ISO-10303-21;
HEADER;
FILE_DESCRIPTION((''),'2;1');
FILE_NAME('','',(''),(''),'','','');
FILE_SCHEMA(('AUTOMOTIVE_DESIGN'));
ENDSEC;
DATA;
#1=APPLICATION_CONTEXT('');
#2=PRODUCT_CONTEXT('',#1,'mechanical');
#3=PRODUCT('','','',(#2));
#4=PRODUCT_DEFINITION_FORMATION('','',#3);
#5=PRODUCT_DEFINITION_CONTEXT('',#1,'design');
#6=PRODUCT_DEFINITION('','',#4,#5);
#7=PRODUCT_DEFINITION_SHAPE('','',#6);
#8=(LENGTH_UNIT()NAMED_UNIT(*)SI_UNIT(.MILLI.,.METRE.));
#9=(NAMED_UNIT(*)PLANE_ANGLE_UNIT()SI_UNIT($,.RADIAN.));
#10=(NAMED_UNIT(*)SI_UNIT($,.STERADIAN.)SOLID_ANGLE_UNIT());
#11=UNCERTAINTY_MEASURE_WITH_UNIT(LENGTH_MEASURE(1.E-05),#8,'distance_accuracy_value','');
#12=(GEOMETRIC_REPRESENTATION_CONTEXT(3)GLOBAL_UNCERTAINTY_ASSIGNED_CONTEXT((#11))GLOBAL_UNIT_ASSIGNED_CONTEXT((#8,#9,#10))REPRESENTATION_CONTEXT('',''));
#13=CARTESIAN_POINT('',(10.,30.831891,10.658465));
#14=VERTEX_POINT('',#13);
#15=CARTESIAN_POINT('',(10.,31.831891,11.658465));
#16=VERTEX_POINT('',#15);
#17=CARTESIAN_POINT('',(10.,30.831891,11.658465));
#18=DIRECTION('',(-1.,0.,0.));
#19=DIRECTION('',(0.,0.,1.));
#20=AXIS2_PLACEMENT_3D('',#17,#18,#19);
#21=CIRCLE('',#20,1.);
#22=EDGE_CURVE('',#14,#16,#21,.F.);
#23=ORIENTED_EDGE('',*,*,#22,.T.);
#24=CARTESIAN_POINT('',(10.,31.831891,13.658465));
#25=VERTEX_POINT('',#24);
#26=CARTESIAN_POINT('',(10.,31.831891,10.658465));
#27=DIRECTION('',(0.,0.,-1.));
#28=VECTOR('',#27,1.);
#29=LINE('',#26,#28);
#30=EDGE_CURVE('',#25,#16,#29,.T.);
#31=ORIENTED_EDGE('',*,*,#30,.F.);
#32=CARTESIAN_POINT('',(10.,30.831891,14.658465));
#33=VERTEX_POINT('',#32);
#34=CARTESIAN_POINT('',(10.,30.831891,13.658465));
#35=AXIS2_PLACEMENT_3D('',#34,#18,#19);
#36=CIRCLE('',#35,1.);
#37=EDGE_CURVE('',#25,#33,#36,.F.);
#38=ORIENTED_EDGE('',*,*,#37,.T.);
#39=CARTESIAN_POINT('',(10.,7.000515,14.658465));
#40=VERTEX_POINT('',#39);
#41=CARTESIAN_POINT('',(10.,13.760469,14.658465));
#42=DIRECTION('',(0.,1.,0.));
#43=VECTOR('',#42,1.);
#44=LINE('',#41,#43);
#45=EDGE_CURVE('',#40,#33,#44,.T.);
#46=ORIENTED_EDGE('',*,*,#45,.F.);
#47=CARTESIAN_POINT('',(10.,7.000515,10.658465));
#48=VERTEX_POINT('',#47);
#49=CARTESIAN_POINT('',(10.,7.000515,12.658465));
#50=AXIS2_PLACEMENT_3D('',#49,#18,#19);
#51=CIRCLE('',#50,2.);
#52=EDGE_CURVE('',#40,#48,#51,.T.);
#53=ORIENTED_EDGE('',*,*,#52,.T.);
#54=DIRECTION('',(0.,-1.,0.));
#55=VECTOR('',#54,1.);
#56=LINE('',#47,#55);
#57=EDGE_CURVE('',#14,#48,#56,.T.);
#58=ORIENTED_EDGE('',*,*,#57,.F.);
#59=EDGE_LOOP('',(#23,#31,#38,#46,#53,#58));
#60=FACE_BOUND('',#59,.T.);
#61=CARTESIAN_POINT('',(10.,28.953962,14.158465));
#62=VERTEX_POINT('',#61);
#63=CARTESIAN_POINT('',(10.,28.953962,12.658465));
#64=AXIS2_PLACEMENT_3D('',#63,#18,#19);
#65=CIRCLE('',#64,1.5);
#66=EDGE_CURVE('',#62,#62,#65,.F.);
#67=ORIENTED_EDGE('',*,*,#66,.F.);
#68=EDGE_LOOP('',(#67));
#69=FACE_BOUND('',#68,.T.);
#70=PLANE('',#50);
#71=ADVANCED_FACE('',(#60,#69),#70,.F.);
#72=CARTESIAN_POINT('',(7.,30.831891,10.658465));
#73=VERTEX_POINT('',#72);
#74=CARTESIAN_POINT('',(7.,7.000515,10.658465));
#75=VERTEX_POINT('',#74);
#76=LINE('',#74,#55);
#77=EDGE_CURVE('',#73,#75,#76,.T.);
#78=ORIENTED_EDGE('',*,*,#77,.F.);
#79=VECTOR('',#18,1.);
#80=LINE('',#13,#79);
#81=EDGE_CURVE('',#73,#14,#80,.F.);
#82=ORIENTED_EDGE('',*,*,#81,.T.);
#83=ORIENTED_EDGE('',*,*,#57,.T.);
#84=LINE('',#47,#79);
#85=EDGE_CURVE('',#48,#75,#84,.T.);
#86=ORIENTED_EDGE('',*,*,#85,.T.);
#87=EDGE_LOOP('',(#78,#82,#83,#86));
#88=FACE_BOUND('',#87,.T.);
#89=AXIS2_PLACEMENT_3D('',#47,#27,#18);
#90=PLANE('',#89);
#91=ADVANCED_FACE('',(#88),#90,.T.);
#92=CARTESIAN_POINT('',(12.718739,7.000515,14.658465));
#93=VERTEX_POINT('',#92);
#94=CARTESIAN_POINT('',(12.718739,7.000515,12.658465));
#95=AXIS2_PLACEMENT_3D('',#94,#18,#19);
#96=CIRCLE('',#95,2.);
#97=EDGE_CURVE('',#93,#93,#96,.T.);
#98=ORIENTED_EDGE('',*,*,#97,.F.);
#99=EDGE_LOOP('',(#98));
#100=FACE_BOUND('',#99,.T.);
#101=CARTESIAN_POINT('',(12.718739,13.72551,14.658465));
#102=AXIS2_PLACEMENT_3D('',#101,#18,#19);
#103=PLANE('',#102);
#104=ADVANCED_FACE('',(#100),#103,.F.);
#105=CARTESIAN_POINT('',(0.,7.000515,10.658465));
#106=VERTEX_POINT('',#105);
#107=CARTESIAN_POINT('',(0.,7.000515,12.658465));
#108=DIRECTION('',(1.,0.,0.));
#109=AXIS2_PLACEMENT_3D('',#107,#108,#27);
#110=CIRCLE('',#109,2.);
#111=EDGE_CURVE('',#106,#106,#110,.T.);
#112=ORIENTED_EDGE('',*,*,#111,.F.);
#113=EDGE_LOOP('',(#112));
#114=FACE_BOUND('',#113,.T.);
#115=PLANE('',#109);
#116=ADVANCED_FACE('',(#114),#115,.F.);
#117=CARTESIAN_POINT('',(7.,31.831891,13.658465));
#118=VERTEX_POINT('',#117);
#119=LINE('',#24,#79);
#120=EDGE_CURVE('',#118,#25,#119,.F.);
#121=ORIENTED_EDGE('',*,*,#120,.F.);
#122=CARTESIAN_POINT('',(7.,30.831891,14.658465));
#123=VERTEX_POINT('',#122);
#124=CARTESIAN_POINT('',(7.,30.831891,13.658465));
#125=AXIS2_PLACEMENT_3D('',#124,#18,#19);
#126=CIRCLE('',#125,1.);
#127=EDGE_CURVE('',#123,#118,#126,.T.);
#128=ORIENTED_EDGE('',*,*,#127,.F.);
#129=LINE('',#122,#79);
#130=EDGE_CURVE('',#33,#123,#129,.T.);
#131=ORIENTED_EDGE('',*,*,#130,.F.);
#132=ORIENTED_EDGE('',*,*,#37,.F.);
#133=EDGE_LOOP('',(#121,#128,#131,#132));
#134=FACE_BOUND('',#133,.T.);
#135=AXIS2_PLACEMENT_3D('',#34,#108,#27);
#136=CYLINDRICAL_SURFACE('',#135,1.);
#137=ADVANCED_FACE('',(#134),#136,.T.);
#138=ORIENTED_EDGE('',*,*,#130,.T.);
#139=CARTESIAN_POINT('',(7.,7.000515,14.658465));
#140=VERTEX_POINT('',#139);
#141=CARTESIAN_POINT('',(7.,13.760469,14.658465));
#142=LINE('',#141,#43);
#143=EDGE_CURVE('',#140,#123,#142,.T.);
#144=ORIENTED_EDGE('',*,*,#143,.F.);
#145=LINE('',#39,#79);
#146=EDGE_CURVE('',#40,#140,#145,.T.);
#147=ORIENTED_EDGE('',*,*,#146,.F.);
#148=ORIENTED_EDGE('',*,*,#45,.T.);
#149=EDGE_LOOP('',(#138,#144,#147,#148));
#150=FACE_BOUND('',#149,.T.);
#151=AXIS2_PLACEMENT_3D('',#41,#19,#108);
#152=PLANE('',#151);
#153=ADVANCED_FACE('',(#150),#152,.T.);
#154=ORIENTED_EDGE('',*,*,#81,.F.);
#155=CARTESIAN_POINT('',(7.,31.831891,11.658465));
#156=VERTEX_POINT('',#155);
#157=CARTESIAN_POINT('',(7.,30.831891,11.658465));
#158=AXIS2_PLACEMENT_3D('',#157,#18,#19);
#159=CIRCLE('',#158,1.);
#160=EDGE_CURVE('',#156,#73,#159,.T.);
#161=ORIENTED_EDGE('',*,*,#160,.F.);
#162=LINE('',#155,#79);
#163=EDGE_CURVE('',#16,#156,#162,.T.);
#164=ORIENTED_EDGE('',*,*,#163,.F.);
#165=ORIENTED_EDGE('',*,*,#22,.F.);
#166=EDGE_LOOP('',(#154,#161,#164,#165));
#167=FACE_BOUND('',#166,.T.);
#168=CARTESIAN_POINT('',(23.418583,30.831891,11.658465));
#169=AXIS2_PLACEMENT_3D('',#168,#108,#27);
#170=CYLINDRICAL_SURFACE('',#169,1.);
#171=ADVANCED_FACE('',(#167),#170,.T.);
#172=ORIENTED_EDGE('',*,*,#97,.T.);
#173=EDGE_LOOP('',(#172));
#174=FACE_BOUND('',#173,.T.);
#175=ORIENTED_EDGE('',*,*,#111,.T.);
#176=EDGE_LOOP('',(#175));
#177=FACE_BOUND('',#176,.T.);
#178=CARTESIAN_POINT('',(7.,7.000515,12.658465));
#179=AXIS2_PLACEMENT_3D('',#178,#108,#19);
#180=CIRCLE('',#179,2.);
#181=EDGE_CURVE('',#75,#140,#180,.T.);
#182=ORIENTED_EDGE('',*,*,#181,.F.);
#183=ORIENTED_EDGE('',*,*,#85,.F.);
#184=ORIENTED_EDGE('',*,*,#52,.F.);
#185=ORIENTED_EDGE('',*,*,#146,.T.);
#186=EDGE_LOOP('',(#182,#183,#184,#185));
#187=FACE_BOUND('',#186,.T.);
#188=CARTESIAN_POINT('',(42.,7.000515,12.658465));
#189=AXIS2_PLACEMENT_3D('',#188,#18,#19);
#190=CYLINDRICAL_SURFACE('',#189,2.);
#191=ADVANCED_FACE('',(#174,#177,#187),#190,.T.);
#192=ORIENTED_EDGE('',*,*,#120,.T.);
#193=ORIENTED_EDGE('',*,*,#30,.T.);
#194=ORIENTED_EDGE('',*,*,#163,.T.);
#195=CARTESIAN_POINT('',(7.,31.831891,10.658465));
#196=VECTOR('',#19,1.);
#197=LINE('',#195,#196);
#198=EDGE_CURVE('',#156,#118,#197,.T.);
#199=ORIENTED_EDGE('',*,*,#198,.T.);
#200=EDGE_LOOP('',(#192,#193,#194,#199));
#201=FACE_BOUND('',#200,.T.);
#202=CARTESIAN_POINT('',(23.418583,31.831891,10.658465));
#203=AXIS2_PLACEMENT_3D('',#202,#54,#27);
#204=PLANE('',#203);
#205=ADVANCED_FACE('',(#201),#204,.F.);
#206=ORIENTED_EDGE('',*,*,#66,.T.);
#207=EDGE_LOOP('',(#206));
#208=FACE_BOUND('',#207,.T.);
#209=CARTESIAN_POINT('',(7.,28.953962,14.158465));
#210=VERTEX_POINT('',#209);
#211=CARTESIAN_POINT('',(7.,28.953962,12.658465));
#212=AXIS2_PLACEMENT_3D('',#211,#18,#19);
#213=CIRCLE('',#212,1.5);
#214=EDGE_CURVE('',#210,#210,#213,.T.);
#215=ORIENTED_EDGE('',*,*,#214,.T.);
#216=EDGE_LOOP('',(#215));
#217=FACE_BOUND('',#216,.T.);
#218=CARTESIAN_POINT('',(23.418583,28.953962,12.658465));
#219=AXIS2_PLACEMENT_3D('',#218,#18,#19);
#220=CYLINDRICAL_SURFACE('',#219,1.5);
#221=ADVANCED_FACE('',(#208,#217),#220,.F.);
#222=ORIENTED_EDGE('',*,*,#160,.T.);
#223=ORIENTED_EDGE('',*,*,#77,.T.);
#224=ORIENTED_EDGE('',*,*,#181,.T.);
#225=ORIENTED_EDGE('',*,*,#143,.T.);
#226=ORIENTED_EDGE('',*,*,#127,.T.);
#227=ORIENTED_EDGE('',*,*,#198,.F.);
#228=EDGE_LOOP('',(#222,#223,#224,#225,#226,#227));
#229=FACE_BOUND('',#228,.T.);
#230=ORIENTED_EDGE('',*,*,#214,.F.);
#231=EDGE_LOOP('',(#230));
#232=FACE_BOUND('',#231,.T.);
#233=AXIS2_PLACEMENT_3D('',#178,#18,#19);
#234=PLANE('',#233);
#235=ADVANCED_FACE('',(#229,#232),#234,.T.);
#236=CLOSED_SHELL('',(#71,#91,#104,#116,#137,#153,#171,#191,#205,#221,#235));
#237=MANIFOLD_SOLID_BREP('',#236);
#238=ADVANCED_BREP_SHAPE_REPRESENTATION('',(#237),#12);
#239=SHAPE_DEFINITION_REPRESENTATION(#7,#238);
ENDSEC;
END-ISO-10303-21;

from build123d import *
from build123d.topology import SkipClean

# Parameters (mm, degrees)
SKETCH1_R           = 2
BOSS_EXTRUDE1_DEPTH = 42
BOSS_EXTRUDE2_DEPTH = 10
CUT_EXTRUDE1_DEPTH  = 7
BOSS_EXTRUDE4_DEPTH = 3
SKETCH5_R           = 1.5
CUT_EXTRUDE3_DEPTH  = 54.708670792
SKETCH6_W           = 11.822480184
SKETCH6_H           = 12.15707868
CUT_EXTRUDE5_DEPTH  = 54.708670792
FILLET4_R           = 1
FILLET5_R           = 1
SKETCH7_W           = 34.513514199
SKETCH7_H           = 14.72292105
CUT_EXTRUDE6_DEPTH  = 50.84257119
SKETCH8_W           = 4
SKETCH8_H           = 12.808527321
SKETCH8_R           = 1.5
BOSS_EXTRUDE5_DEPTH = 3
FILLET6_R           = 1


with BuildPart() as part:
    # Sketch1 → Boss-Extrude1 (new body)
    with BuildSketch(Plane(origin=(0, 0, 0), x_dir=(0, 0, -1), z_dir=(1, 0, 0))):
        with Locations(Location((-12.6584653, 7.000514901, 0), (0, 0, 180))):
            Circle(SKETCH1_R)
    extrude(amount=BOSS_EXTRUDE1_DEPTH)

    # Sketch2 → Boss-Extrude2 (add)
    with BuildSketch(Plane.ZY):
        with BuildLine():
            Line((10.6584653, 7.000514901), (10.6584653, 13.760469307))
            ThreePointArc((10.6584653, 13.760469307), (12.6584653, 15.760469307), (14.6584653, 13.760469307))
            Line((14.6584653, 13.760469307), (14.6584653, 7.000514901))
            ThreePointArc((14.6584653, 7.000514901), (12.6584653, 5.000514901), (10.6584653, 7.000514901))
        make_face()
    extrude(amount=-BOSS_EXTRUDE2_DEPTH)

    # Sketch3 → Cut-Extrude1 (cut)
    with SkipClean():  # the faces are left unmerged after this step: merging them gives an invalid solid
        with BuildSketch(Plane.ZY):
            with BuildLine():
                Line((10.6584653, 7.000514901), (10.6584653, 13.760469307))
                ThreePointArc((10.6584653, 13.760469307), (12.6584653, 15.760469307), (14.6584653, 13.760469307))
                Line((14.6584653, 13.760469307), (14.6584653, 7.000514901))
                ThreePointArc((14.6584653, 7.000514901), (12.6584653, 9.000514901), (10.6584653, 7.000514901))
            make_face()
        extrude(amount=-CUT_EXTRUDE1_DEPTH, mode=Mode.SUBTRACT)

    # Sketch4 → Boss-Extrude4 (add)
    with SkipClean():  # the faces are left unmerged after this step: merging them gives an invalid solid
        with BuildSketch(Plane.ZY.offset(-7)):
            with BuildLine():
                Line((10.6584653, 36.009876522), (10.6584653, 13.760469307))
                ThreePointArc((10.6584653, 13.760469307), (12.6584653, 15.760469307), (14.6584653, 13.760469307))
                Line((14.6584653, 13.760469307), (14.6584653, 36.009876522))
                Line((14.6584653, 36.009876522), (10.6584653, 36.009876522))
            make_face()
            with BuildLine():
                ThreePointArc((10.6584653, 36.009876522), (12.6584653, 38.009876522), (14.6584653, 36.009876522))
                Line((14.6584653, 36.009876522), (10.6584653, 36.009876522))
            make_face()
        extrude(amount=-BOSS_EXTRUDE4_DEPTH)

    # Sketch5 → Cut-Extrude3 (cut, through all)
    with SkipClean():  # the faces are left unmerged after this step: merging them gives an invalid solid
        with BuildSketch(Plane.ZY.offset(-7)):
            with Locations((12.706639089, 22.91954594)):
                Circle(SKETCH5_R)
        extrude(amount=-CUT_EXTRUDE3_DEPTH, mode=Mode.SUBTRACT)

    # Sketch6 → Cut-Extrude5 (cut, through all)
    with SkipClean():  # the faces are left unmerged after this step: merging them gives an invalid solid
        with BuildSketch(Plane.ZY.offset(-7)):
            with Locations((12.630555797, 32.616849438)):
                Rectangle(SKETCH6_W, SKETCH6_H)
        extrude(amount=-CUT_EXTRUDE5_DEPTH, mode=Mode.SUBTRACT)

    # Fillet4
    fillet4_edges = [part.edges().sort_by_distance(p)[0] for p in [
        (8.5, 26.538310098, 14.6584653),
    ]]
    fillet(fillet4_edges, radius=FILLET4_R)

    # Fillet5
    fillet5_edges = [part.edges().sort_by_distance(p)[0] for p in [
        (8.5, 26.538310098, 10.6584653),
    ]]
    fillet(fillet5_edges, radius=FILLET5_R)

    # Sketch7 → Cut-Extrude6 (cut, through all)
    with BuildSketch(Plane(origin=(0, 0, 10.6584653), x_dir=(-1, 0, 0), z_dir=(0, 0, -1))):
        with Locations((-29.975495684, 6.364049631)):
            Rectangle(SKETCH7_W, SKETCH7_H)
    extrude(amount=-CUT_EXTRUDE6_DEPTH, mode=Mode.SUBTRACT)

    # Sketch8 → Boss-Extrude5 (add)
    with SkipClean():  # the faces are left unmerged after this step: merging them gives an invalid solid
        with BuildSketch(Plane.ZY.offset(-7)):
            with Locations((12.6584653, 25.427627083)):
                Rectangle(SKETCH8_W, SKETCH8_H)
            with Locations((12.6584653, 28.953962247)):
                Circle(SKETCH8_R, mode=Mode.SUBTRACT)
        extrude(amount=-BOSS_EXTRUDE5_DEPTH)

    # Fillet6
    fillet6_edges = [part.edges().sort_by_distance(p)[0] for p in [
        (8.5, 31.831890743, 14.6584653),
        (8.5, 31.831890743, 10.6584653),
    ]]
    fillet(fillet6_edges, radius=FILLET6_R)


solid = part.part
